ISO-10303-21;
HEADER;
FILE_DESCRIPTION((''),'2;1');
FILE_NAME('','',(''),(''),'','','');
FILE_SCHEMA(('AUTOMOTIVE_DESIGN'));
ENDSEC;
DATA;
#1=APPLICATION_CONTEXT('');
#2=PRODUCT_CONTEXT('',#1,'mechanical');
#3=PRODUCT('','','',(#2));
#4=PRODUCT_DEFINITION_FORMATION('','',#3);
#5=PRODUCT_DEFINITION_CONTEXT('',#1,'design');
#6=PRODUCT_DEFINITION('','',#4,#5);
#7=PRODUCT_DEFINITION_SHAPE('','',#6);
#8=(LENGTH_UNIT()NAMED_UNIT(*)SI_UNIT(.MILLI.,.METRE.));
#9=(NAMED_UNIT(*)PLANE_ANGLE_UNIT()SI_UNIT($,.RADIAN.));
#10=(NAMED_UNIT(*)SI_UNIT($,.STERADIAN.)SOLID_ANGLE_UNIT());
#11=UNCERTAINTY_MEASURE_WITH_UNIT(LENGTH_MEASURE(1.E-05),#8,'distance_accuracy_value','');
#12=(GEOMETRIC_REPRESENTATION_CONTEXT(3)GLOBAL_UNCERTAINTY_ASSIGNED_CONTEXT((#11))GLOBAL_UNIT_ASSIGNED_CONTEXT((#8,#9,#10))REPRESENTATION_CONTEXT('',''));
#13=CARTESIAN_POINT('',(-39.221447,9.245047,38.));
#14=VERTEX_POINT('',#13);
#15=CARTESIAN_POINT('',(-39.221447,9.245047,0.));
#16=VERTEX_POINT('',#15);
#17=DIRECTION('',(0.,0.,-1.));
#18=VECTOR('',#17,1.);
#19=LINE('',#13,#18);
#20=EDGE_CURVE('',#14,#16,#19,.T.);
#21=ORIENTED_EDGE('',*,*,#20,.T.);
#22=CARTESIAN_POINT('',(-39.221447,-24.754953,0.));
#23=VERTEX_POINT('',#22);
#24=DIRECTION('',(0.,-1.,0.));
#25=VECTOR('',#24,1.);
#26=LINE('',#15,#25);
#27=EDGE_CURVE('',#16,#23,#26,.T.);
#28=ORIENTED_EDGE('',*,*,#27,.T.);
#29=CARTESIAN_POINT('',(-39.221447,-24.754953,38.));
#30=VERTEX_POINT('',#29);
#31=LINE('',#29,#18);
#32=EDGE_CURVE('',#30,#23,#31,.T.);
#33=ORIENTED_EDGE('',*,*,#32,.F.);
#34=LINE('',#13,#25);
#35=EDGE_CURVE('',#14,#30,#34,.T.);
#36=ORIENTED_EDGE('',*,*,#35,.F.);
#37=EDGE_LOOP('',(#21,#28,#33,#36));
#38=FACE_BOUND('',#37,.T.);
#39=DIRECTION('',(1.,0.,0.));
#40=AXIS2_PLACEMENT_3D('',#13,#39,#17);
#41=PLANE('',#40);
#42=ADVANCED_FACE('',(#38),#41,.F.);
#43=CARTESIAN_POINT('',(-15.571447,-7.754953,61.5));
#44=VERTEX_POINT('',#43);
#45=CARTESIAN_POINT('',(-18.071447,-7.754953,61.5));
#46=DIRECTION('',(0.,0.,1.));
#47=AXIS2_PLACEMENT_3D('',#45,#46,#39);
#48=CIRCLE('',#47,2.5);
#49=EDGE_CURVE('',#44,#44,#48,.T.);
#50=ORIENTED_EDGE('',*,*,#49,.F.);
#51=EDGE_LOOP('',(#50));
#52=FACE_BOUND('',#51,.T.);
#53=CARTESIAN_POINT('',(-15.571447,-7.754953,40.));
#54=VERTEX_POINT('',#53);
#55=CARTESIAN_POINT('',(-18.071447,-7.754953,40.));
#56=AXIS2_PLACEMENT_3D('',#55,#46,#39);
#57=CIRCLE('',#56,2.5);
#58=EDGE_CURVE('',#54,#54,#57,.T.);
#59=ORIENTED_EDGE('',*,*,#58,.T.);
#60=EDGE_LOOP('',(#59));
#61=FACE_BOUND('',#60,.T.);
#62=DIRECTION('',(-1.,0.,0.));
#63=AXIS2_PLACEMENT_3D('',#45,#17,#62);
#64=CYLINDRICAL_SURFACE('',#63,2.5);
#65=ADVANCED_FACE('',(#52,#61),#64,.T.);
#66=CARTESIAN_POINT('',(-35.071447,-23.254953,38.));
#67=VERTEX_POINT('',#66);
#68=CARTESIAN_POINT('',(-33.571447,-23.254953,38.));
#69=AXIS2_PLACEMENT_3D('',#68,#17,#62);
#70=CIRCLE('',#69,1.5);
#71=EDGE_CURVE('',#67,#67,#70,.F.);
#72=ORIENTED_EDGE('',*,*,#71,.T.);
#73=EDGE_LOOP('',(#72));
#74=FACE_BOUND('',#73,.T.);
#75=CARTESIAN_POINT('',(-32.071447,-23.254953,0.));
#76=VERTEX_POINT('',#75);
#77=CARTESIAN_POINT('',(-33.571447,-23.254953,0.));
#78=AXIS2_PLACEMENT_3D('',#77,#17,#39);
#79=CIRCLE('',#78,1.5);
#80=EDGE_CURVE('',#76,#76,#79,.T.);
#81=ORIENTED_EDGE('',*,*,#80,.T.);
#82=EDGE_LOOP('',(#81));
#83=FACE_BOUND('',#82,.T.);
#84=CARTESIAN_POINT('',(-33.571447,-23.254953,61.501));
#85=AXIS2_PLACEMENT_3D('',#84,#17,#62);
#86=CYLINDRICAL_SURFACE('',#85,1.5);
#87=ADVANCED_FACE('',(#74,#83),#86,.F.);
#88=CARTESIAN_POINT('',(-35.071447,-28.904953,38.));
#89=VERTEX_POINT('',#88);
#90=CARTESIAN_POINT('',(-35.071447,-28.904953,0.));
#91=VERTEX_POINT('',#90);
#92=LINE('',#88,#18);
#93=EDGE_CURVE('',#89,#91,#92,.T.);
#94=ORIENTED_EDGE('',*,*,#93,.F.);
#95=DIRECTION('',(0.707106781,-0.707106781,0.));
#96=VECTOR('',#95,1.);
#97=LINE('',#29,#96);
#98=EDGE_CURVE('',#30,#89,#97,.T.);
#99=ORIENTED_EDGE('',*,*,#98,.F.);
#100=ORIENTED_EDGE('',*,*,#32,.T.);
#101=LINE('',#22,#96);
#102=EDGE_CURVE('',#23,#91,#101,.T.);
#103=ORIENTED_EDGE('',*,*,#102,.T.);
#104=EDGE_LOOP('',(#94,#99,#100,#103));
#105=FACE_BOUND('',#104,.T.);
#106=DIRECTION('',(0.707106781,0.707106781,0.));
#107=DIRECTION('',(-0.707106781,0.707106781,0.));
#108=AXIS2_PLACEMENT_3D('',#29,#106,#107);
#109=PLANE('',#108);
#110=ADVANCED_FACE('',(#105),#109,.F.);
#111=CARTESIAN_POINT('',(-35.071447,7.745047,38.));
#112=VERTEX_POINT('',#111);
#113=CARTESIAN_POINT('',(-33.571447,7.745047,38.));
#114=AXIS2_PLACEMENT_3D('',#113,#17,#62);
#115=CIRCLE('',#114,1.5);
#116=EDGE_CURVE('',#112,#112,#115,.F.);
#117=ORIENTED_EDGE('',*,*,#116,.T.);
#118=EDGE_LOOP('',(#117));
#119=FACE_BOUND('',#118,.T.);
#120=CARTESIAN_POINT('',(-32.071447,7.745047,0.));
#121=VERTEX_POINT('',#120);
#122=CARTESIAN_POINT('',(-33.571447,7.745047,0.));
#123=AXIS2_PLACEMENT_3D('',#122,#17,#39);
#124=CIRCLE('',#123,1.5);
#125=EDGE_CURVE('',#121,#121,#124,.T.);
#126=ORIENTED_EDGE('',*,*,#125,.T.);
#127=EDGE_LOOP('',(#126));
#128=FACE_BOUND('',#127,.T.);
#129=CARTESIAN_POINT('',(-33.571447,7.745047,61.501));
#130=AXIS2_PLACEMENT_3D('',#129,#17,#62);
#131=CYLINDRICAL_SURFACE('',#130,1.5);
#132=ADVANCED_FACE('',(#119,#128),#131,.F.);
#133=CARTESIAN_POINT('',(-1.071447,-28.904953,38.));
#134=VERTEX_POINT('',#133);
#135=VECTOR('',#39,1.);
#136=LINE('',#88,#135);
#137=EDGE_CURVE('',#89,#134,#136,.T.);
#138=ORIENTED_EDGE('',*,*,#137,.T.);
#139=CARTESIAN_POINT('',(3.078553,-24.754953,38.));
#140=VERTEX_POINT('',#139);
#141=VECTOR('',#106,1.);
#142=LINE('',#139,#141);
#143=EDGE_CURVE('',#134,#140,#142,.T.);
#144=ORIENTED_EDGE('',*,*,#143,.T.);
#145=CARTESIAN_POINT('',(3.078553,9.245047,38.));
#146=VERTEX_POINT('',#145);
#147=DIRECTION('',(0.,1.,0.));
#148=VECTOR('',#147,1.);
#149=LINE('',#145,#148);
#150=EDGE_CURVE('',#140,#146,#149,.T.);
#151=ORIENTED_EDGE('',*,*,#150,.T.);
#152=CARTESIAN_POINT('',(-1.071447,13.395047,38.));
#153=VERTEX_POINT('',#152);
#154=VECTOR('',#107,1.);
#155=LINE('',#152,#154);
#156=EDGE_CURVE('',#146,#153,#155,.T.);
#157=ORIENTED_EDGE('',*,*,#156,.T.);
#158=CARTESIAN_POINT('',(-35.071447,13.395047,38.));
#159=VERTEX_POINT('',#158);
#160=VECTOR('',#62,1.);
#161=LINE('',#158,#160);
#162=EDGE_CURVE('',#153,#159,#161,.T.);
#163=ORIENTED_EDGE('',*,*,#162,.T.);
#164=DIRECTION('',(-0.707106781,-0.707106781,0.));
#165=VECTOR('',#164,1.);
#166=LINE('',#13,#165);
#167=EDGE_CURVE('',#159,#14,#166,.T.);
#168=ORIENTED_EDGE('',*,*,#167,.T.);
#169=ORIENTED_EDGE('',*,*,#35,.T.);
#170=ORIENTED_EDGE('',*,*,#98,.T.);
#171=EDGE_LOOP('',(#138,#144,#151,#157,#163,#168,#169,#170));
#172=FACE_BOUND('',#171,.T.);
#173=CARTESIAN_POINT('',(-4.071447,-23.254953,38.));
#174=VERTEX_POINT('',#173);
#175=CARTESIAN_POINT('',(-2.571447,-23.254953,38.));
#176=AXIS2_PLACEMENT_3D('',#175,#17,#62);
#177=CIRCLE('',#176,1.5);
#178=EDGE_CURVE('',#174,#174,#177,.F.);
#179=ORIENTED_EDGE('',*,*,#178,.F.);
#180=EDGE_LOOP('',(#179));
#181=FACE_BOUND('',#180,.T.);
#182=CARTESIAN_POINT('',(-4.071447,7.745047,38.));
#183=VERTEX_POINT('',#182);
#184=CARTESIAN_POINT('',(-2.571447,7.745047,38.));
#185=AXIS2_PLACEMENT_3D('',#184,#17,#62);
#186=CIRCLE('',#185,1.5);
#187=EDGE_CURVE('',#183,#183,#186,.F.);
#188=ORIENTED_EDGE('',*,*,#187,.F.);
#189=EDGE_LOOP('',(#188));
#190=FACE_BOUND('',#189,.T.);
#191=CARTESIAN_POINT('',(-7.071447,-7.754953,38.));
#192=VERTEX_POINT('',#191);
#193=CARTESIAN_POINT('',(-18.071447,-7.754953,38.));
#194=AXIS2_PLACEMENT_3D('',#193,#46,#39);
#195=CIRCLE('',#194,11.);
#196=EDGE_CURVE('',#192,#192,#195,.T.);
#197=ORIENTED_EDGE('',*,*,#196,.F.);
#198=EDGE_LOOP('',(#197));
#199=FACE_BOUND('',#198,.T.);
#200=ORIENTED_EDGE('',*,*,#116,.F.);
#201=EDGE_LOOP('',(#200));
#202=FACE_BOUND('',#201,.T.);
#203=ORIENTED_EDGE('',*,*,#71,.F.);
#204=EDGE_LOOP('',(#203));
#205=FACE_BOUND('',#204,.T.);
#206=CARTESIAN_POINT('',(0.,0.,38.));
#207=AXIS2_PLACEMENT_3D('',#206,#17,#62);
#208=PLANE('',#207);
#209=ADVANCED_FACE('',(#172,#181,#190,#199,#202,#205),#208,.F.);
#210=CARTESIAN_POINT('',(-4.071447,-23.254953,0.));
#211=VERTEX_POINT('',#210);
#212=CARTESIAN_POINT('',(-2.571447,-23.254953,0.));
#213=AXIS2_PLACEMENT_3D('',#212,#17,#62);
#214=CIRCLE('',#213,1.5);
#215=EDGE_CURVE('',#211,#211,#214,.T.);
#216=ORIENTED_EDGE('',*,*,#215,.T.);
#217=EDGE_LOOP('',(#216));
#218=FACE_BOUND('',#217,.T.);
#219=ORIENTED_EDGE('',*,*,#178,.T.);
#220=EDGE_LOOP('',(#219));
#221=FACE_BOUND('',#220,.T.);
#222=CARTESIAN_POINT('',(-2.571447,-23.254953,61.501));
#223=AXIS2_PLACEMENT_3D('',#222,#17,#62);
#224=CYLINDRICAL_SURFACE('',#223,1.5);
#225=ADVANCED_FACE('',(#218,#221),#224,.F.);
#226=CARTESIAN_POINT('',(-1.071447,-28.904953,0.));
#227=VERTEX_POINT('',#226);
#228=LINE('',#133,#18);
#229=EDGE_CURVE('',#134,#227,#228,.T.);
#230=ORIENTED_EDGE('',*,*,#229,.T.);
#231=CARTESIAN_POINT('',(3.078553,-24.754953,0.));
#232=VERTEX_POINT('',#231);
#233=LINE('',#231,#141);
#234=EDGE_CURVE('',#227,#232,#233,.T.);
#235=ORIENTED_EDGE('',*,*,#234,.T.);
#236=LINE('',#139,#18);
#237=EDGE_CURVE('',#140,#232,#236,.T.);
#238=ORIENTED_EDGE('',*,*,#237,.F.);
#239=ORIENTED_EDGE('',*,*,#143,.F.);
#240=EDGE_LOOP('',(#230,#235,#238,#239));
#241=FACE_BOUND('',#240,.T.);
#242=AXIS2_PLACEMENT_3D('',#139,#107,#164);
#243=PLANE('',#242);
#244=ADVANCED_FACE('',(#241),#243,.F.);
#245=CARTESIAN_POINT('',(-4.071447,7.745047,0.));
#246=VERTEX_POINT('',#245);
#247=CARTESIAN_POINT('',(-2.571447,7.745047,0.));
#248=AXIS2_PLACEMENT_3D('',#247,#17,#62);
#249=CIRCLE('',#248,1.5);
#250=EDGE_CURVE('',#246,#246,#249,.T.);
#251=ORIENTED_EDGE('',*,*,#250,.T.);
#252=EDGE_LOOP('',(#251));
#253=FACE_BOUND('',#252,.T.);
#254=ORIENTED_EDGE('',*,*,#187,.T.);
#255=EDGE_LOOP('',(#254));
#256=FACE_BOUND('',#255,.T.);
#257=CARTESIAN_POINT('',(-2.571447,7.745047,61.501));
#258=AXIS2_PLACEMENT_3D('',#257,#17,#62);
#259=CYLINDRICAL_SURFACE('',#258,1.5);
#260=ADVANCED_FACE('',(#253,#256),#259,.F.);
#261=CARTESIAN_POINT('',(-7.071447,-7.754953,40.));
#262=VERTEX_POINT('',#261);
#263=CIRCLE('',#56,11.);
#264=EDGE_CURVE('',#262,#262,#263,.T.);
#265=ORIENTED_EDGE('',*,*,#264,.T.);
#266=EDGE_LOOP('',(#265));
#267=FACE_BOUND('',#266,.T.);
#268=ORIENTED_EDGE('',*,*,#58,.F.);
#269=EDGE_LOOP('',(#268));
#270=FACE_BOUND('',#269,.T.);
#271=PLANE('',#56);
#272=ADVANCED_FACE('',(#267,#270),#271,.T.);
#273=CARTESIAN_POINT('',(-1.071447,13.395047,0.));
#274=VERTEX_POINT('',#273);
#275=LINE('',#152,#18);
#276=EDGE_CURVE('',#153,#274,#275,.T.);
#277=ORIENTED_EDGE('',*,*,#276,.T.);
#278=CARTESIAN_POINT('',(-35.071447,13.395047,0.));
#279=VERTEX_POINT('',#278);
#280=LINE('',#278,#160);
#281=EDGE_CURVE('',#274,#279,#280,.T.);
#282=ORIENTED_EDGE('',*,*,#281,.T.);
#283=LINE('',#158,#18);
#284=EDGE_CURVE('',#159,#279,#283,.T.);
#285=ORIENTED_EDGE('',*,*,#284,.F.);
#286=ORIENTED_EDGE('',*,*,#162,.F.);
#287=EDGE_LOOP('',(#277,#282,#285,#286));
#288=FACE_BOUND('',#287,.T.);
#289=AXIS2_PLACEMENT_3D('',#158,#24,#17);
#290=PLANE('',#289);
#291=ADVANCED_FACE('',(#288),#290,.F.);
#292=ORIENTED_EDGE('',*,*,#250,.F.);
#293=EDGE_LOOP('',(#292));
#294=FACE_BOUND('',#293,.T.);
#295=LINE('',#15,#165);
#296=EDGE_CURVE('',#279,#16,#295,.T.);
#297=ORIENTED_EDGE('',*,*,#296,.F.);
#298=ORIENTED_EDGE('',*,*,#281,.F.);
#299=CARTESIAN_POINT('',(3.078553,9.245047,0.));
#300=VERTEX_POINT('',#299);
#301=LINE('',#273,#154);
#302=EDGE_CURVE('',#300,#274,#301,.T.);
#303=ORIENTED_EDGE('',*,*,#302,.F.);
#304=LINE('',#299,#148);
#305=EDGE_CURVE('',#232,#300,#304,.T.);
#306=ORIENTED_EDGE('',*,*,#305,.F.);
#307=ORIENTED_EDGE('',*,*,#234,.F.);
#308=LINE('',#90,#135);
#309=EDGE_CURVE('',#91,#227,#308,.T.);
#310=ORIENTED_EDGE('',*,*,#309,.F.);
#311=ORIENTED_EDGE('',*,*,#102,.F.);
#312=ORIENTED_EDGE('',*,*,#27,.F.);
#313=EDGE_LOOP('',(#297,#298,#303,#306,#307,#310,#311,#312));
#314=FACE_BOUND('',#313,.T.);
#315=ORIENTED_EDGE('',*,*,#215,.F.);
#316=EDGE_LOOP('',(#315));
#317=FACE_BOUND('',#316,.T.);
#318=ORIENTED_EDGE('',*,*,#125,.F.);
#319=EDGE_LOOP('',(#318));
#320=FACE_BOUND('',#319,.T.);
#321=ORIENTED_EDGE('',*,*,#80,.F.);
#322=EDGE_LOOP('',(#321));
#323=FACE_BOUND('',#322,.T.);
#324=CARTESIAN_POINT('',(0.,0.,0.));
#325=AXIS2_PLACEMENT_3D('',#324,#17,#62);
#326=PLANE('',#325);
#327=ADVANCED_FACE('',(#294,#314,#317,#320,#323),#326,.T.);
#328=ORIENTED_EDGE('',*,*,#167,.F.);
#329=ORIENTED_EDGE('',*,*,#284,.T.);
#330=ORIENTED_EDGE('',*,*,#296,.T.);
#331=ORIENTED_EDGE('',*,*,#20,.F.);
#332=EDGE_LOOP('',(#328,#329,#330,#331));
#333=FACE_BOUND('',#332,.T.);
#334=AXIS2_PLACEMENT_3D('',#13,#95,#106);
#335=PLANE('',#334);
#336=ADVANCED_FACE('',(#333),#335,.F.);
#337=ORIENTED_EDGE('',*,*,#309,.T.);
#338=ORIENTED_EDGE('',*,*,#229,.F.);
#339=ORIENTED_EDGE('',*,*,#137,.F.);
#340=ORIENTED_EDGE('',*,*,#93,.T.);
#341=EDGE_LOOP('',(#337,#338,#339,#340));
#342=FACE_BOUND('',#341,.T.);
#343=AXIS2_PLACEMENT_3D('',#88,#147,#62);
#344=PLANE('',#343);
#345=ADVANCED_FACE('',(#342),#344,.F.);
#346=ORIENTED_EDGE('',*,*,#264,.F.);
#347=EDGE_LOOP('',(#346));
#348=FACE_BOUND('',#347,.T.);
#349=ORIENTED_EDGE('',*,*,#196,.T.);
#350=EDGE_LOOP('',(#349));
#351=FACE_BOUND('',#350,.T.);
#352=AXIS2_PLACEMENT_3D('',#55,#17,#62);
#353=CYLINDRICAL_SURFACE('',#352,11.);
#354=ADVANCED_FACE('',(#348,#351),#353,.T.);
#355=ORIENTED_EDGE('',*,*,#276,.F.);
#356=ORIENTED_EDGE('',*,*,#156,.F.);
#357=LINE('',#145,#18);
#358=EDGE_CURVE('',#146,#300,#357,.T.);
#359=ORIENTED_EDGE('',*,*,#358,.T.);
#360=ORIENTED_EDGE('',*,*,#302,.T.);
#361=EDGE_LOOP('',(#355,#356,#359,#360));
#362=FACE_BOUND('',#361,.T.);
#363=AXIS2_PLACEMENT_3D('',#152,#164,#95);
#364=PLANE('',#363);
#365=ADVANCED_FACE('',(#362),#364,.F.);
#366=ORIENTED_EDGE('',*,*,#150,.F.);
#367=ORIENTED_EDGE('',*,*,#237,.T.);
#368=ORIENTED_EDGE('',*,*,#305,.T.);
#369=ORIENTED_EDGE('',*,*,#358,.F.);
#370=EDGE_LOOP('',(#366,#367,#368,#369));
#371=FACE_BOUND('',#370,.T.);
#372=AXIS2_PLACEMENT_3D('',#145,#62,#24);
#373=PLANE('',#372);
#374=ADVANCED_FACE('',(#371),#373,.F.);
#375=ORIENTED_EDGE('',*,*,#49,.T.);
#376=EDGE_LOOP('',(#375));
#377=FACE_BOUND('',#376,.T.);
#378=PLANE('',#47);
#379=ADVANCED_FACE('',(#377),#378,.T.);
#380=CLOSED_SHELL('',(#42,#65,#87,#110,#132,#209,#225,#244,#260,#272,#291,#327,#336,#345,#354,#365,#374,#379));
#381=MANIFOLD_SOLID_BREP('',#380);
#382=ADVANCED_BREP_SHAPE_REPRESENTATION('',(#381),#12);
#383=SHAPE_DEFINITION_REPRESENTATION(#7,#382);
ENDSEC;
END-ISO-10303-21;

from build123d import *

# Parameters (mm, degrees)
EXTRUDE_1_DEPTH     = 38
SKETCH_2_R          = 11
EXTRUDE_2_DEPTH     = 2
SKETCH_3_R          = 2.5
EXTRUDE_3_DEPTH     = 21.5
CUT_EXTRUDE_1_REACH = 80.461
SKETCH_4_R          = 1.5


with BuildPart() as part:
    # 草图1 → 凸台-拉伸1 (new body)
    with BuildSketch(Plane.XY):
        Polygon((-39.221447105, 9.245047294), (-35.071447105, 13.395047294), (-1.071447105, 13.395047294), (3.078552895, 9.245047294), (3.078552895, -24.754952706), (-1.071447105, -28.904952706), (-35.071447105, -28.904952706), (-39.221447105, -24.754952706), align=None)
    extrude(amount=EXTRUDE_1_DEPTH)

    # 草图2 → 凸台-拉伸2 (add)
    with BuildSketch(Plane.XY.offset(38)):
        with Locations((-18.071447105, -7.754952706)):
            Circle(SKETCH_2_R)
    extrude(amount=EXTRUDE_2_DEPTH)

    # 草图3 → 凸台-拉伸3 (add)
    with BuildSketch(Plane.XY.offset(40)):
        with Locations((-18.071447105, -7.754952706)):
            Circle(SKETCH_3_R)
    extrude(amount=EXTRUDE_3_DEPTH)

    # 草图4 → 切除-拉伸1 (cut, up to next)
    with BuildSketch(Plane(origin=(0, 0, 0), x_dir=(-1, 0, 0), z_dir=(0, 0, -1)), mode=Mode.PRIVATE) as cut_extrude_1_sk1:
        with Locations((2.571447105, 7.745047294)):
            Circle(SKETCH_4_R)
    cut_extrude_1_tool1 = extrude(cut_extrude_1_sk1.sketch, amount=-CUT_EXTRUDE_1_REACH, mode=Mode.PRIVATE) & part.part
    # 草图4 → 切除-拉伸1 (cut, up to next)
    with BuildSketch(Plane(origin=(0, 0, 0), x_dir=(-1, 0, 0), z_dir=(0, 0, -1)), mode=Mode.PRIVATE) as cut_extrude_1_sk2:
        with Locations((2.571447105, -23.254952706)):
            Circle(SKETCH_4_R)
    cut_extrude_1_tool2 = extrude(cut_extrude_1_sk2.sketch, amount=-CUT_EXTRUDE_1_REACH, mode=Mode.PRIVATE) & part.part
    # 草图4 → 切除-拉伸1 (cut, up to next)
    with BuildSketch(Plane(origin=(0, 0, 0), x_dir=(-1, 0, 0), z_dir=(0, 0, -1)), mode=Mode.PRIVATE) as cut_extrude_1_sk3:
        with Locations((33.571447105, -23.254952706)):
            Circle(SKETCH_4_R)
    cut_extrude_1_tool3 = extrude(cut_extrude_1_sk3.sketch, amount=-CUT_EXTRUDE_1_REACH, mode=Mode.PRIVATE) & part.part
    # 草图4 → 切除-拉伸1 (cut, up to next)
    with BuildSketch(Plane(origin=(0, 0, 0), x_dir=(-1, 0, 0), z_dir=(0, 0, -1)), mode=Mode.PRIVATE) as cut_extrude_1_sk4:
        with Locations((33.571447105, 7.745047294)):
            Circle(SKETCH_4_R)
    cut_extrude_1_tool4 = extrude(cut_extrude_1_sk4.sketch, amount=-CUT_EXTRUDE_1_REACH, mode=Mode.PRIVATE) & part.part
    add(cut_extrude_1_tool1.solids().sort_by_distance((-2.571447, 7.745047, 0))[0], mode=Mode.SUBTRACT)
    add(cut_extrude_1_tool2.solids().sort_by_distance((-2.571447, -23.254953, 0))[0], mode=Mode.SUBTRACT)
    add(cut_extrude_1_tool3.solids().sort_by_distance((-33.571447, -23.254953, 0))[0], mode=Mode.SUBTRACT)
    add(cut_extrude_1_tool4.solids().sort_by_distance((-33.571447, 7.745047, 0))[0], mode=Mode.SUBTRACT)


solid = part.part
